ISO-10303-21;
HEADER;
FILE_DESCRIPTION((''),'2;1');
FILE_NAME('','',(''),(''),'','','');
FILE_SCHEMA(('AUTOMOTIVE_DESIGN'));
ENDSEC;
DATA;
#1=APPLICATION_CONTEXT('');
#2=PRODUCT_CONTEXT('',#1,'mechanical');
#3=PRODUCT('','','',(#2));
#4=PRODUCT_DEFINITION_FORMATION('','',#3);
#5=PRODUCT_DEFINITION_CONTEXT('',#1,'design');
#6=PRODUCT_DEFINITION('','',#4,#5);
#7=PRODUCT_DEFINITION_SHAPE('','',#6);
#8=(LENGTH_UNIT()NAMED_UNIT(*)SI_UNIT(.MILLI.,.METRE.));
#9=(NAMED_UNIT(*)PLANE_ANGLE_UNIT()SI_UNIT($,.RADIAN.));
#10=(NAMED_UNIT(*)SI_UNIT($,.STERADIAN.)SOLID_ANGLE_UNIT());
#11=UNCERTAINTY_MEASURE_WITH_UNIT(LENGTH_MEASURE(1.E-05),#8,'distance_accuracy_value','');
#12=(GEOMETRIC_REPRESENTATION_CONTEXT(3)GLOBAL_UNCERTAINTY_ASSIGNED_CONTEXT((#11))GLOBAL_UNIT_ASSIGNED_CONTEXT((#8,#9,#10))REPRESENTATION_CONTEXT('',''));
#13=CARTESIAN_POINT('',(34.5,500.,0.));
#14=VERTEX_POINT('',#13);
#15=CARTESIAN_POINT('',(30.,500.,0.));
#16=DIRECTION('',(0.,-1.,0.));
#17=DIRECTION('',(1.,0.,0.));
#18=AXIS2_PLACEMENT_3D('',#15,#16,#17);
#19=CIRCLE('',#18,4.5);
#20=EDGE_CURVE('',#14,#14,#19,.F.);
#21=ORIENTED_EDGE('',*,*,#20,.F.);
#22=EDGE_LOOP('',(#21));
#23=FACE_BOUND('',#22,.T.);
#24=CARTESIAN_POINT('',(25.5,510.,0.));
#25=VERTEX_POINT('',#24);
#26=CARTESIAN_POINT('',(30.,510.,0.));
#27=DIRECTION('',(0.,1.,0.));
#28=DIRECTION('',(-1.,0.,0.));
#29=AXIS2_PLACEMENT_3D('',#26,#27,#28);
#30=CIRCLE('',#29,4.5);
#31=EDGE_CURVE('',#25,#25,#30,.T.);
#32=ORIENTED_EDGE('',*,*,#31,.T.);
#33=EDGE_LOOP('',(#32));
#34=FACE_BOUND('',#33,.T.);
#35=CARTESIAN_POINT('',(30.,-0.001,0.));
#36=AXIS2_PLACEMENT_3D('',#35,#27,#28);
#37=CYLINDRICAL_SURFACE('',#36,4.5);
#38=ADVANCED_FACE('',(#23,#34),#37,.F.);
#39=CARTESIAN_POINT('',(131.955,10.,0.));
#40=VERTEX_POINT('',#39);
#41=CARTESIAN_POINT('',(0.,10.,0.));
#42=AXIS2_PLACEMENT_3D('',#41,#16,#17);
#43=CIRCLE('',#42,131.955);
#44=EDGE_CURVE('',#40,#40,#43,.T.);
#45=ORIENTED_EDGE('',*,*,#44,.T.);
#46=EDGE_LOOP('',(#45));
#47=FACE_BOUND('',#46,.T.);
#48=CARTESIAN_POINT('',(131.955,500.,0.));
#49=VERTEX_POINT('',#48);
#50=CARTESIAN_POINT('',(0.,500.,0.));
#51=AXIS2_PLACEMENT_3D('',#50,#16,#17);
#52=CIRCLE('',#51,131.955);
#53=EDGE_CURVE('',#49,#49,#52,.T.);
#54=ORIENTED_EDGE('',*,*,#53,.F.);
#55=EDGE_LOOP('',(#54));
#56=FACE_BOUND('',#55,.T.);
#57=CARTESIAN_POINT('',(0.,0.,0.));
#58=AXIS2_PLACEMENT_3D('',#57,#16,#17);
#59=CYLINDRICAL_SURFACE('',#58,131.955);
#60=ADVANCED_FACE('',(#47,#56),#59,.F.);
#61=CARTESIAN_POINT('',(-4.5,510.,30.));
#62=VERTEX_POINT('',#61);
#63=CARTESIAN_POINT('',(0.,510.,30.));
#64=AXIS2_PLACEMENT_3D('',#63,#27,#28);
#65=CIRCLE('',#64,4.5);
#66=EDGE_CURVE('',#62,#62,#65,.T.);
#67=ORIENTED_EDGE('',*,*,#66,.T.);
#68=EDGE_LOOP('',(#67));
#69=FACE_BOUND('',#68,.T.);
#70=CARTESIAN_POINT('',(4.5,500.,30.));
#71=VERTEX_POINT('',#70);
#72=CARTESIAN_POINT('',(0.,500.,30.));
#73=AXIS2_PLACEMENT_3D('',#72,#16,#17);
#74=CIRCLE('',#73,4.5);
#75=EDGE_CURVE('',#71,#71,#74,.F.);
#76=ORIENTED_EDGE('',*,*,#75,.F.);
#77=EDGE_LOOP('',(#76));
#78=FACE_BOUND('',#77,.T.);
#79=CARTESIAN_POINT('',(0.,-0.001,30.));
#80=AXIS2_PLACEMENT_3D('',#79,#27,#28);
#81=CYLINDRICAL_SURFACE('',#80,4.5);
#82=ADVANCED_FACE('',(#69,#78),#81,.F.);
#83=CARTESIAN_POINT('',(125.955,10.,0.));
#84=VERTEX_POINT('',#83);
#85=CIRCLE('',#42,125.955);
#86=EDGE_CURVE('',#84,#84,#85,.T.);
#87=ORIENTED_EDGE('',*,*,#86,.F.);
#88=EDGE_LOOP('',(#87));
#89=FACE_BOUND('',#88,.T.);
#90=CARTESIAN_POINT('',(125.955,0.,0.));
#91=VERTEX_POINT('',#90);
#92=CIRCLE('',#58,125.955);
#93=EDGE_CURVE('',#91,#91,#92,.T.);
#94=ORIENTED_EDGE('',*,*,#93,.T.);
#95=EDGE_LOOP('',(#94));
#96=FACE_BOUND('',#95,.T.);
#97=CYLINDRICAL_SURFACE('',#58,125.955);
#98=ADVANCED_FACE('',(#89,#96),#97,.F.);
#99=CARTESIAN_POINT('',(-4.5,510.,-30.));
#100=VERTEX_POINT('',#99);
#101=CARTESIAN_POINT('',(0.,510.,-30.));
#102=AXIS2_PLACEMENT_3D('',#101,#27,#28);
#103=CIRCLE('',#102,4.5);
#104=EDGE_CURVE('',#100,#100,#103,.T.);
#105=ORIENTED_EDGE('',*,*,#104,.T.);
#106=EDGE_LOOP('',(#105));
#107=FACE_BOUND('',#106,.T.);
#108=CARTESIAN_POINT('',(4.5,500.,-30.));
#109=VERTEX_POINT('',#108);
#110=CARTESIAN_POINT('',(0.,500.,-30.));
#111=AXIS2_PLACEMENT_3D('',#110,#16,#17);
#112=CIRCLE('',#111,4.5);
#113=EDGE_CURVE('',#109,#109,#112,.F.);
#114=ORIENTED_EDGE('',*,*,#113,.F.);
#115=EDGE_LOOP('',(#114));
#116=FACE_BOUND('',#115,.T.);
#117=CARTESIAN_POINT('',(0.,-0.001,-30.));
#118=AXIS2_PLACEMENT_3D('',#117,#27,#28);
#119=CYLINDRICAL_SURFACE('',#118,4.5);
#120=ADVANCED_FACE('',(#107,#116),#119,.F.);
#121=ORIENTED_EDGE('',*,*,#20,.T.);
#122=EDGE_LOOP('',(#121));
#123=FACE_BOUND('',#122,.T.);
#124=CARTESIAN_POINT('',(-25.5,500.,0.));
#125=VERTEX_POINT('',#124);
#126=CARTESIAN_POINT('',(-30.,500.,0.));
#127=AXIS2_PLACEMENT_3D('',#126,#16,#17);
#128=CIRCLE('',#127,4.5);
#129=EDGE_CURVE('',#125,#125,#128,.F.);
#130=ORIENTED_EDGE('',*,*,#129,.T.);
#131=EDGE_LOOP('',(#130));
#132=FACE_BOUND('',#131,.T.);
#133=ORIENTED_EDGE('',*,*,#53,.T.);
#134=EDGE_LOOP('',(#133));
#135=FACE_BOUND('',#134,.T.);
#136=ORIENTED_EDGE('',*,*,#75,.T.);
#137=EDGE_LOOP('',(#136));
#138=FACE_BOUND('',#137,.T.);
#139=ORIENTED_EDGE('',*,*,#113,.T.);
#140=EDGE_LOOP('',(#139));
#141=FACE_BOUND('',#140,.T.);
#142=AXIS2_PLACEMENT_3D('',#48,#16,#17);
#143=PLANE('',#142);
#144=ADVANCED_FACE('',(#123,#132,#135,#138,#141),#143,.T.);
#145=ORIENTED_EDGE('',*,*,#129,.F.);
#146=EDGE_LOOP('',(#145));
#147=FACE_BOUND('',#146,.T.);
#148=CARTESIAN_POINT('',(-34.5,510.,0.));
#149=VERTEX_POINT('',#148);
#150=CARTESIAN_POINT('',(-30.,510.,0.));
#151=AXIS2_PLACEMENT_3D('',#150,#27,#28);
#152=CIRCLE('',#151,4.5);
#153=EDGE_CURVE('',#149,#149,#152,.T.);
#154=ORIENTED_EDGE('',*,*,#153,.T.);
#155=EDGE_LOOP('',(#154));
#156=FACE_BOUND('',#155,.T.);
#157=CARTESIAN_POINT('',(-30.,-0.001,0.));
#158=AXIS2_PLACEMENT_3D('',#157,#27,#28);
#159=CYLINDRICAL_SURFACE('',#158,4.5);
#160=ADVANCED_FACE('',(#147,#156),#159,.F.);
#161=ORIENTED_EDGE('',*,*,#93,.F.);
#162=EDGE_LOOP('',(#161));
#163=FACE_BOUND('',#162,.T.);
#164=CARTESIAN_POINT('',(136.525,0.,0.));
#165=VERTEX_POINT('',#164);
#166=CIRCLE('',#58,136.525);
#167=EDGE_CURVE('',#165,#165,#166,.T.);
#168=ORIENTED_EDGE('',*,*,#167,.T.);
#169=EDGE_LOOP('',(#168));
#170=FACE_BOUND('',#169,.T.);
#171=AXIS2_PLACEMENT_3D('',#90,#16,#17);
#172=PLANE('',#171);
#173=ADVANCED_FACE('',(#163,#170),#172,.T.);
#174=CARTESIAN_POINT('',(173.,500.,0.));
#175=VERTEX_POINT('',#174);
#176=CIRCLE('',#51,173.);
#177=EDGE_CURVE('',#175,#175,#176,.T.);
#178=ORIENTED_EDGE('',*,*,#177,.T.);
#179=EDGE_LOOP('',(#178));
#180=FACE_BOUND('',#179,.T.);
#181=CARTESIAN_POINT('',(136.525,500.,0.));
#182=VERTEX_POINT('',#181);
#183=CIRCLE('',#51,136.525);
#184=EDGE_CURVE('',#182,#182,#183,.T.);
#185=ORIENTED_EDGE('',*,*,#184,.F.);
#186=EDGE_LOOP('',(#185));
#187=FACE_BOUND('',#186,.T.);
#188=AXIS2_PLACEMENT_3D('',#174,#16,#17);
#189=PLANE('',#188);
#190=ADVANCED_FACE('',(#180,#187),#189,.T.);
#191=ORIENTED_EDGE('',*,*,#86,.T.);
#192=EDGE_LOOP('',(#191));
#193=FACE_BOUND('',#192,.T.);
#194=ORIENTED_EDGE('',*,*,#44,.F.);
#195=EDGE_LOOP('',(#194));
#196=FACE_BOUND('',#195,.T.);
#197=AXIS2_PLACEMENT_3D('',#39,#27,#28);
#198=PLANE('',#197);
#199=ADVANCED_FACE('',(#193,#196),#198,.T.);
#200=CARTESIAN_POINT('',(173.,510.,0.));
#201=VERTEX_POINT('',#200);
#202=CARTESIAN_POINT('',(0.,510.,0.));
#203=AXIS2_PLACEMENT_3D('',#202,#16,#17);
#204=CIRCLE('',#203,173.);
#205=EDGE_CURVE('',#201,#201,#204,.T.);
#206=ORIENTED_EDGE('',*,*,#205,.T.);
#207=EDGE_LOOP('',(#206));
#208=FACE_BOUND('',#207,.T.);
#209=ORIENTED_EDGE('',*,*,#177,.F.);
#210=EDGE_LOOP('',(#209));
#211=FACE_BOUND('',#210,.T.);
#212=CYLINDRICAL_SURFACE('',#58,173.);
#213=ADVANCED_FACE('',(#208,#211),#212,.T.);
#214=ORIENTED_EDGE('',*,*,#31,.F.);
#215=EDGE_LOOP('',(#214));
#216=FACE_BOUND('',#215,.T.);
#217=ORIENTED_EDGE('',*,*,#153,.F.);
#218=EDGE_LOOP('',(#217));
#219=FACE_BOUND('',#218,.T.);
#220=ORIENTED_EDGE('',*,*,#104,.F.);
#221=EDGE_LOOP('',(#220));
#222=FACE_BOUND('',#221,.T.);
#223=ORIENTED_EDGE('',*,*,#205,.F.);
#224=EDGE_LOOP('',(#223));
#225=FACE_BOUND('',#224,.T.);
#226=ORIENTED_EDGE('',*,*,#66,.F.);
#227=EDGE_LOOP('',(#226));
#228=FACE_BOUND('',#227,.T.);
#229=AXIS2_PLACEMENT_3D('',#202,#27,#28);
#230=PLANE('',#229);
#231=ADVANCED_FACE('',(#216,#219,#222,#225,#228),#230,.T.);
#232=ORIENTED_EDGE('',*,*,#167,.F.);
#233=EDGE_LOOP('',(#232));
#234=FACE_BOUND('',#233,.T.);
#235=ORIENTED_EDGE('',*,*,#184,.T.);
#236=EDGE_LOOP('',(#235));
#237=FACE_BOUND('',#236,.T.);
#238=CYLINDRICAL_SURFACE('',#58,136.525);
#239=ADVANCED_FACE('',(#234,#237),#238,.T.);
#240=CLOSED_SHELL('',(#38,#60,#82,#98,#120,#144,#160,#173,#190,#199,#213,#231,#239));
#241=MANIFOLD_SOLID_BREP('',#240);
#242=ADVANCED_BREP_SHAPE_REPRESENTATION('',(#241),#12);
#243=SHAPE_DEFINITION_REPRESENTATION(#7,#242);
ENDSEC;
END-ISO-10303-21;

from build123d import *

# Parameters (mm, degrees)
CORTE_EXTRUS_O1_REACH = 512
ESBO_O2_R             = 4.5


with BuildPart() as part:
    # Esboço1 → Revolução1 (revolve)
    with BuildSketch(Plane.XY):
        Polygon((0, 510), (173, 510), (173, 500), (136.525, 500), (136.525, 0), (125.955, 0), (125.955, 10), (131.955, 10), (131.955, 500), (0, 500), align=None)
    revolve(axis=Axis((0, 0, 0), (0, 1, 0)))

    # Esboço2 → Corte-extrusão1 (cut, up to next)
    with BuildSketch(Plane(origin=(0, 510, 0), x_dir=(1, 0, 0), z_dir=(0, 1, 0)), mode=Mode.PRIVATE) as corte_extrus_o1_sk1:
        with Locations((0, 30)):
            Circle(ESBO_O2_R)
    corte_extrus_o1_tool1 = extrude(corte_extrus_o1_sk1.sketch, amount=-CORTE_EXTRUS_O1_REACH, mode=Mode.PRIVATE) & part.part
    add(corte_extrus_o1_tool1.solids().sort_by_distance((0, 510, -30))[0], mode=Mode.SUBTRACT)
    # Esboço2 → Corte-extrusão1 (cut, up to next)
    with BuildSketch(Plane(origin=(0, 510, 0), x_dir=(1, 0, 0), z_dir=(0, 1, 0)), mode=Mode.PRIVATE) as corte_extrus_o1_sk2:
        with Locations((30, 0)):
            Circle(ESBO_O2_R)
    corte_extrus_o1_tool2 = extrude(corte_extrus_o1_sk2.sketch, amount=-CORTE_EXTRUS_O1_REACH, mode=Mode.PRIVATE) & part.part
    add(corte_extrus_o1_tool2.solids().sort_by_distance((30, 510, 0))[0], mode=Mode.SUBTRACT)
    # Esboço2 → Corte-extrusão1 (cut, up to next)
    with BuildSketch(Plane(origin=(0, 510, 0), x_dir=(1, 0, 0), z_dir=(0, 1, 0)), mode=Mode.PRIVATE) as corte_extrus_o1_sk3:
        with Locations((0, -30)):
            Circle(ESBO_O2_R)
    corte_extrus_o1_tool3 = extrude(corte_extrus_o1_sk3.sketch, amount=-CORTE_EXTRUS_O1_REACH, mode=Mode.PRIVATE) & part.part
    add(corte_extrus_o1_tool3.solids().sort_by_distance((0, 510, 30))[0], mode=Mode.SUBTRACT)
    # Esboço2 → Corte-extrusão1 (cut, up to next)
    with BuildSketch(Plane(origin=(0, 510, 0), x_dir=(1, 0, 0), z_dir=(0, 1, 0)), mode=Mode.PRIVATE) as corte_extrus_o1_sk4:
        with Locations((-30, 0)):
            Circle(ESBO_O2_R)
    corte_extrus_o1_tool4 = extrude(corte_extrus_o1_sk4.sketch, amount=-CORTE_EXTRUS_O1_REACH, mode=Mode.PRIVATE) & part.part
    add(corte_extrus_o1_tool4.solids().sort_by_distance((-30, 510, 0))[0], mode=Mode.SUBTRACT)


solid = part.part
